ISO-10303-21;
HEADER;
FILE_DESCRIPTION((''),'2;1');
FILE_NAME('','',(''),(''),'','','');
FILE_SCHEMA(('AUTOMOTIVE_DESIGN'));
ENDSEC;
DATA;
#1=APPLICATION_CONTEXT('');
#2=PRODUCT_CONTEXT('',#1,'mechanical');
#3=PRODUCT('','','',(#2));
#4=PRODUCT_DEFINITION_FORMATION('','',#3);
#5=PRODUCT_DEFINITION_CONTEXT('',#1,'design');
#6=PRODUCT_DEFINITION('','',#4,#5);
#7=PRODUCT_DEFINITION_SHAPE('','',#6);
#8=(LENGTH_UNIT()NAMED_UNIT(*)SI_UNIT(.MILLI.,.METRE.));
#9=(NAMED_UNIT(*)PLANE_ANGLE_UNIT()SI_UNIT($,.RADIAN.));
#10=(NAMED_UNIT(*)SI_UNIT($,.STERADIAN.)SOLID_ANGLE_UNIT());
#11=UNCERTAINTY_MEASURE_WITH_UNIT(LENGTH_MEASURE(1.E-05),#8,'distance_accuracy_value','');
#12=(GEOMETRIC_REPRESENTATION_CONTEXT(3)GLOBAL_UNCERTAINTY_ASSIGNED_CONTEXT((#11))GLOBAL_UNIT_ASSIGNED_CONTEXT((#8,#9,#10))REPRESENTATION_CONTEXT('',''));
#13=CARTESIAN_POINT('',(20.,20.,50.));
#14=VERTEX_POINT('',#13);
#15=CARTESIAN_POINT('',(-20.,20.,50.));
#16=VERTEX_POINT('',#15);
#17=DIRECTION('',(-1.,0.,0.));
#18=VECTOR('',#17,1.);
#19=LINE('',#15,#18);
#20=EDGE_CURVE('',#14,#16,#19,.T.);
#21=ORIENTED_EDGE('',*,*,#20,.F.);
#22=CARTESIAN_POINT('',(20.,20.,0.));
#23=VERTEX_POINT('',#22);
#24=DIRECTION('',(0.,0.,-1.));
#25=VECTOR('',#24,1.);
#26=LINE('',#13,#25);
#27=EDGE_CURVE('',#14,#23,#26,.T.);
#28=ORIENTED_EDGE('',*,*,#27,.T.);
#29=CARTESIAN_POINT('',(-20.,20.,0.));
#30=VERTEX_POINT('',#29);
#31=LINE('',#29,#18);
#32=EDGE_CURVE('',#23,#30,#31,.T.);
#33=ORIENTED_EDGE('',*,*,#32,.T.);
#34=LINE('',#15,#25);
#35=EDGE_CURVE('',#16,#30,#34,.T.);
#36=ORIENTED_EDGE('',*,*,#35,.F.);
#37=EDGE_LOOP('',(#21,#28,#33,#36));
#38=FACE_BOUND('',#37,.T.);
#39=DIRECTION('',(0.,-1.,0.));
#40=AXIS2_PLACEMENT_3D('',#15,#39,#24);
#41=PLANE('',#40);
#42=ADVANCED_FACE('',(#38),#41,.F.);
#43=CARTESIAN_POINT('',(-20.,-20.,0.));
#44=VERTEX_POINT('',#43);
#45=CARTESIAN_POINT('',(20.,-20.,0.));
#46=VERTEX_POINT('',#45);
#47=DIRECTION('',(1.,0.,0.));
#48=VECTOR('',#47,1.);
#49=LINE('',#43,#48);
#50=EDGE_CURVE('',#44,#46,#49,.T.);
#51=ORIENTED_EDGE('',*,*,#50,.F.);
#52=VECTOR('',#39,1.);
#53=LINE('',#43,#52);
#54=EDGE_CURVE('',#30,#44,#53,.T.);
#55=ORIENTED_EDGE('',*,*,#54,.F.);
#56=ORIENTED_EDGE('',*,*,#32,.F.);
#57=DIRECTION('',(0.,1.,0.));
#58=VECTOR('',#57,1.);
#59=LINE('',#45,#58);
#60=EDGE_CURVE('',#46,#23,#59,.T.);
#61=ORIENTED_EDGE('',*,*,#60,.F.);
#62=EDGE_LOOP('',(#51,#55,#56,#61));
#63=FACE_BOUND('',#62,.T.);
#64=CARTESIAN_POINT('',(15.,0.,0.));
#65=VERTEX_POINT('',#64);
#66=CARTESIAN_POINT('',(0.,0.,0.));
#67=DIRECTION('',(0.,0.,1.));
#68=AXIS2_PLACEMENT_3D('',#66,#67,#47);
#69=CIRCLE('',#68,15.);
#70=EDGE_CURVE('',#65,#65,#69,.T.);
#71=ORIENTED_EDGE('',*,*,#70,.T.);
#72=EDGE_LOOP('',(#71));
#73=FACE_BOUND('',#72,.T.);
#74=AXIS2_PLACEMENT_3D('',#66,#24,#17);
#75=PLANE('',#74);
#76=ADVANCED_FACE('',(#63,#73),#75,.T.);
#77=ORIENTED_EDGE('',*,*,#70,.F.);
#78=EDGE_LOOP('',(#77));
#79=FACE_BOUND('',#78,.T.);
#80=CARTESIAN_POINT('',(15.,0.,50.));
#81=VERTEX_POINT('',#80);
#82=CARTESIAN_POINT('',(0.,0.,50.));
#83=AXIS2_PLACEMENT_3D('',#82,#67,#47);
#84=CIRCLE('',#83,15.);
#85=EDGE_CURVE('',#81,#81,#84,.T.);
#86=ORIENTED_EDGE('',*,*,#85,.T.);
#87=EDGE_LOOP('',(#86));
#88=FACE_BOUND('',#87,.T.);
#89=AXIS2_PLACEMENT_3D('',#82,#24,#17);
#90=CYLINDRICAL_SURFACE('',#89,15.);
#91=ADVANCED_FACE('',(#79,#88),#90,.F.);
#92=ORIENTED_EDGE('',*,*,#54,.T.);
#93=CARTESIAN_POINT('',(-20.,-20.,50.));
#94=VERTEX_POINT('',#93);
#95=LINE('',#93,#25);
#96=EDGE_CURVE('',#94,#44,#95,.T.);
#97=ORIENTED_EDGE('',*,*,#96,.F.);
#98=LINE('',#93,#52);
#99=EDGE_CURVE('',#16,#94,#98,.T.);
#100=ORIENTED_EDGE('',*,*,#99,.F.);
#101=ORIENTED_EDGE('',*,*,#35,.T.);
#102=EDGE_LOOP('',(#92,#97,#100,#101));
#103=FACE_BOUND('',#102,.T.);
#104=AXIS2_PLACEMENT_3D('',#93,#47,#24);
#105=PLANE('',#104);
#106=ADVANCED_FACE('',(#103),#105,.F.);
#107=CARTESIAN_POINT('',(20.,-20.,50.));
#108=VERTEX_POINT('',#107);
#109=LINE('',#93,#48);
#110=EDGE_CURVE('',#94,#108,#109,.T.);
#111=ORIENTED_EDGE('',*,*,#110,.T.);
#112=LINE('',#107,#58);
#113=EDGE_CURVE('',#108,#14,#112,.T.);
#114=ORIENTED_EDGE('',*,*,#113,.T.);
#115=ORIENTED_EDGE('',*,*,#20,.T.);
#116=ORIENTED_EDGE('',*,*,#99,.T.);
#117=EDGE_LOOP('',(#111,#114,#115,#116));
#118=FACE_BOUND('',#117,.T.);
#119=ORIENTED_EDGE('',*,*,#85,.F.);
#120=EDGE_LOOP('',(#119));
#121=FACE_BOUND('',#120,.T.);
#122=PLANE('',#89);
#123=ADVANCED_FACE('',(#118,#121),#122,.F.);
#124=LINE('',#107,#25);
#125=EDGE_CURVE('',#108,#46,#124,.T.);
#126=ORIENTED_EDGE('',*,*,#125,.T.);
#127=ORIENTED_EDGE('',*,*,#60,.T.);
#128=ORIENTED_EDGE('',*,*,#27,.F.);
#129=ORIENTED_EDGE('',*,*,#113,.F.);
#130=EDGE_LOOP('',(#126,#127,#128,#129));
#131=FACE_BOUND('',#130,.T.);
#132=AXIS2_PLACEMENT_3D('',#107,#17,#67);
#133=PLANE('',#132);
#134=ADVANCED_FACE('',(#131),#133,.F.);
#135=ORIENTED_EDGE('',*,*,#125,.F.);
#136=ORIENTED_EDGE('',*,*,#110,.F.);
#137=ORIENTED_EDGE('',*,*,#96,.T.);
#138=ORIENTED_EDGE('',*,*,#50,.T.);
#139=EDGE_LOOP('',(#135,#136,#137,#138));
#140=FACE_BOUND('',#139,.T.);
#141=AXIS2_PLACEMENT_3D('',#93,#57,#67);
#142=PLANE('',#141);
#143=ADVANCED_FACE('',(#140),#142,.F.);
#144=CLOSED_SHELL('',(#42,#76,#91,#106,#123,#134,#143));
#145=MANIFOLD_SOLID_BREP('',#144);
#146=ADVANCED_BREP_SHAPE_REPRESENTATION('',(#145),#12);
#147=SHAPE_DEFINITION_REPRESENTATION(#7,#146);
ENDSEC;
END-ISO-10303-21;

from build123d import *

# Parameters (mm, degrees)
SKETCH2_W           = 40
SKETCH2_H           = 40
SKETCH2_R           = 15
BOSS_EXTRUDE1_DEPTH = 50


with BuildPart() as part:
    # Sketch2 → Boss-Extrude1 (new body)
    with BuildSketch(Plane.XY):
        Rectangle(SKETCH2_W, SKETCH2_H)
        Circle(SKETCH2_R, mode=Mode.SUBTRACT)
    extrude(amount=BOSS_EXTRUDE1_DEPTH)


solid = part.part
